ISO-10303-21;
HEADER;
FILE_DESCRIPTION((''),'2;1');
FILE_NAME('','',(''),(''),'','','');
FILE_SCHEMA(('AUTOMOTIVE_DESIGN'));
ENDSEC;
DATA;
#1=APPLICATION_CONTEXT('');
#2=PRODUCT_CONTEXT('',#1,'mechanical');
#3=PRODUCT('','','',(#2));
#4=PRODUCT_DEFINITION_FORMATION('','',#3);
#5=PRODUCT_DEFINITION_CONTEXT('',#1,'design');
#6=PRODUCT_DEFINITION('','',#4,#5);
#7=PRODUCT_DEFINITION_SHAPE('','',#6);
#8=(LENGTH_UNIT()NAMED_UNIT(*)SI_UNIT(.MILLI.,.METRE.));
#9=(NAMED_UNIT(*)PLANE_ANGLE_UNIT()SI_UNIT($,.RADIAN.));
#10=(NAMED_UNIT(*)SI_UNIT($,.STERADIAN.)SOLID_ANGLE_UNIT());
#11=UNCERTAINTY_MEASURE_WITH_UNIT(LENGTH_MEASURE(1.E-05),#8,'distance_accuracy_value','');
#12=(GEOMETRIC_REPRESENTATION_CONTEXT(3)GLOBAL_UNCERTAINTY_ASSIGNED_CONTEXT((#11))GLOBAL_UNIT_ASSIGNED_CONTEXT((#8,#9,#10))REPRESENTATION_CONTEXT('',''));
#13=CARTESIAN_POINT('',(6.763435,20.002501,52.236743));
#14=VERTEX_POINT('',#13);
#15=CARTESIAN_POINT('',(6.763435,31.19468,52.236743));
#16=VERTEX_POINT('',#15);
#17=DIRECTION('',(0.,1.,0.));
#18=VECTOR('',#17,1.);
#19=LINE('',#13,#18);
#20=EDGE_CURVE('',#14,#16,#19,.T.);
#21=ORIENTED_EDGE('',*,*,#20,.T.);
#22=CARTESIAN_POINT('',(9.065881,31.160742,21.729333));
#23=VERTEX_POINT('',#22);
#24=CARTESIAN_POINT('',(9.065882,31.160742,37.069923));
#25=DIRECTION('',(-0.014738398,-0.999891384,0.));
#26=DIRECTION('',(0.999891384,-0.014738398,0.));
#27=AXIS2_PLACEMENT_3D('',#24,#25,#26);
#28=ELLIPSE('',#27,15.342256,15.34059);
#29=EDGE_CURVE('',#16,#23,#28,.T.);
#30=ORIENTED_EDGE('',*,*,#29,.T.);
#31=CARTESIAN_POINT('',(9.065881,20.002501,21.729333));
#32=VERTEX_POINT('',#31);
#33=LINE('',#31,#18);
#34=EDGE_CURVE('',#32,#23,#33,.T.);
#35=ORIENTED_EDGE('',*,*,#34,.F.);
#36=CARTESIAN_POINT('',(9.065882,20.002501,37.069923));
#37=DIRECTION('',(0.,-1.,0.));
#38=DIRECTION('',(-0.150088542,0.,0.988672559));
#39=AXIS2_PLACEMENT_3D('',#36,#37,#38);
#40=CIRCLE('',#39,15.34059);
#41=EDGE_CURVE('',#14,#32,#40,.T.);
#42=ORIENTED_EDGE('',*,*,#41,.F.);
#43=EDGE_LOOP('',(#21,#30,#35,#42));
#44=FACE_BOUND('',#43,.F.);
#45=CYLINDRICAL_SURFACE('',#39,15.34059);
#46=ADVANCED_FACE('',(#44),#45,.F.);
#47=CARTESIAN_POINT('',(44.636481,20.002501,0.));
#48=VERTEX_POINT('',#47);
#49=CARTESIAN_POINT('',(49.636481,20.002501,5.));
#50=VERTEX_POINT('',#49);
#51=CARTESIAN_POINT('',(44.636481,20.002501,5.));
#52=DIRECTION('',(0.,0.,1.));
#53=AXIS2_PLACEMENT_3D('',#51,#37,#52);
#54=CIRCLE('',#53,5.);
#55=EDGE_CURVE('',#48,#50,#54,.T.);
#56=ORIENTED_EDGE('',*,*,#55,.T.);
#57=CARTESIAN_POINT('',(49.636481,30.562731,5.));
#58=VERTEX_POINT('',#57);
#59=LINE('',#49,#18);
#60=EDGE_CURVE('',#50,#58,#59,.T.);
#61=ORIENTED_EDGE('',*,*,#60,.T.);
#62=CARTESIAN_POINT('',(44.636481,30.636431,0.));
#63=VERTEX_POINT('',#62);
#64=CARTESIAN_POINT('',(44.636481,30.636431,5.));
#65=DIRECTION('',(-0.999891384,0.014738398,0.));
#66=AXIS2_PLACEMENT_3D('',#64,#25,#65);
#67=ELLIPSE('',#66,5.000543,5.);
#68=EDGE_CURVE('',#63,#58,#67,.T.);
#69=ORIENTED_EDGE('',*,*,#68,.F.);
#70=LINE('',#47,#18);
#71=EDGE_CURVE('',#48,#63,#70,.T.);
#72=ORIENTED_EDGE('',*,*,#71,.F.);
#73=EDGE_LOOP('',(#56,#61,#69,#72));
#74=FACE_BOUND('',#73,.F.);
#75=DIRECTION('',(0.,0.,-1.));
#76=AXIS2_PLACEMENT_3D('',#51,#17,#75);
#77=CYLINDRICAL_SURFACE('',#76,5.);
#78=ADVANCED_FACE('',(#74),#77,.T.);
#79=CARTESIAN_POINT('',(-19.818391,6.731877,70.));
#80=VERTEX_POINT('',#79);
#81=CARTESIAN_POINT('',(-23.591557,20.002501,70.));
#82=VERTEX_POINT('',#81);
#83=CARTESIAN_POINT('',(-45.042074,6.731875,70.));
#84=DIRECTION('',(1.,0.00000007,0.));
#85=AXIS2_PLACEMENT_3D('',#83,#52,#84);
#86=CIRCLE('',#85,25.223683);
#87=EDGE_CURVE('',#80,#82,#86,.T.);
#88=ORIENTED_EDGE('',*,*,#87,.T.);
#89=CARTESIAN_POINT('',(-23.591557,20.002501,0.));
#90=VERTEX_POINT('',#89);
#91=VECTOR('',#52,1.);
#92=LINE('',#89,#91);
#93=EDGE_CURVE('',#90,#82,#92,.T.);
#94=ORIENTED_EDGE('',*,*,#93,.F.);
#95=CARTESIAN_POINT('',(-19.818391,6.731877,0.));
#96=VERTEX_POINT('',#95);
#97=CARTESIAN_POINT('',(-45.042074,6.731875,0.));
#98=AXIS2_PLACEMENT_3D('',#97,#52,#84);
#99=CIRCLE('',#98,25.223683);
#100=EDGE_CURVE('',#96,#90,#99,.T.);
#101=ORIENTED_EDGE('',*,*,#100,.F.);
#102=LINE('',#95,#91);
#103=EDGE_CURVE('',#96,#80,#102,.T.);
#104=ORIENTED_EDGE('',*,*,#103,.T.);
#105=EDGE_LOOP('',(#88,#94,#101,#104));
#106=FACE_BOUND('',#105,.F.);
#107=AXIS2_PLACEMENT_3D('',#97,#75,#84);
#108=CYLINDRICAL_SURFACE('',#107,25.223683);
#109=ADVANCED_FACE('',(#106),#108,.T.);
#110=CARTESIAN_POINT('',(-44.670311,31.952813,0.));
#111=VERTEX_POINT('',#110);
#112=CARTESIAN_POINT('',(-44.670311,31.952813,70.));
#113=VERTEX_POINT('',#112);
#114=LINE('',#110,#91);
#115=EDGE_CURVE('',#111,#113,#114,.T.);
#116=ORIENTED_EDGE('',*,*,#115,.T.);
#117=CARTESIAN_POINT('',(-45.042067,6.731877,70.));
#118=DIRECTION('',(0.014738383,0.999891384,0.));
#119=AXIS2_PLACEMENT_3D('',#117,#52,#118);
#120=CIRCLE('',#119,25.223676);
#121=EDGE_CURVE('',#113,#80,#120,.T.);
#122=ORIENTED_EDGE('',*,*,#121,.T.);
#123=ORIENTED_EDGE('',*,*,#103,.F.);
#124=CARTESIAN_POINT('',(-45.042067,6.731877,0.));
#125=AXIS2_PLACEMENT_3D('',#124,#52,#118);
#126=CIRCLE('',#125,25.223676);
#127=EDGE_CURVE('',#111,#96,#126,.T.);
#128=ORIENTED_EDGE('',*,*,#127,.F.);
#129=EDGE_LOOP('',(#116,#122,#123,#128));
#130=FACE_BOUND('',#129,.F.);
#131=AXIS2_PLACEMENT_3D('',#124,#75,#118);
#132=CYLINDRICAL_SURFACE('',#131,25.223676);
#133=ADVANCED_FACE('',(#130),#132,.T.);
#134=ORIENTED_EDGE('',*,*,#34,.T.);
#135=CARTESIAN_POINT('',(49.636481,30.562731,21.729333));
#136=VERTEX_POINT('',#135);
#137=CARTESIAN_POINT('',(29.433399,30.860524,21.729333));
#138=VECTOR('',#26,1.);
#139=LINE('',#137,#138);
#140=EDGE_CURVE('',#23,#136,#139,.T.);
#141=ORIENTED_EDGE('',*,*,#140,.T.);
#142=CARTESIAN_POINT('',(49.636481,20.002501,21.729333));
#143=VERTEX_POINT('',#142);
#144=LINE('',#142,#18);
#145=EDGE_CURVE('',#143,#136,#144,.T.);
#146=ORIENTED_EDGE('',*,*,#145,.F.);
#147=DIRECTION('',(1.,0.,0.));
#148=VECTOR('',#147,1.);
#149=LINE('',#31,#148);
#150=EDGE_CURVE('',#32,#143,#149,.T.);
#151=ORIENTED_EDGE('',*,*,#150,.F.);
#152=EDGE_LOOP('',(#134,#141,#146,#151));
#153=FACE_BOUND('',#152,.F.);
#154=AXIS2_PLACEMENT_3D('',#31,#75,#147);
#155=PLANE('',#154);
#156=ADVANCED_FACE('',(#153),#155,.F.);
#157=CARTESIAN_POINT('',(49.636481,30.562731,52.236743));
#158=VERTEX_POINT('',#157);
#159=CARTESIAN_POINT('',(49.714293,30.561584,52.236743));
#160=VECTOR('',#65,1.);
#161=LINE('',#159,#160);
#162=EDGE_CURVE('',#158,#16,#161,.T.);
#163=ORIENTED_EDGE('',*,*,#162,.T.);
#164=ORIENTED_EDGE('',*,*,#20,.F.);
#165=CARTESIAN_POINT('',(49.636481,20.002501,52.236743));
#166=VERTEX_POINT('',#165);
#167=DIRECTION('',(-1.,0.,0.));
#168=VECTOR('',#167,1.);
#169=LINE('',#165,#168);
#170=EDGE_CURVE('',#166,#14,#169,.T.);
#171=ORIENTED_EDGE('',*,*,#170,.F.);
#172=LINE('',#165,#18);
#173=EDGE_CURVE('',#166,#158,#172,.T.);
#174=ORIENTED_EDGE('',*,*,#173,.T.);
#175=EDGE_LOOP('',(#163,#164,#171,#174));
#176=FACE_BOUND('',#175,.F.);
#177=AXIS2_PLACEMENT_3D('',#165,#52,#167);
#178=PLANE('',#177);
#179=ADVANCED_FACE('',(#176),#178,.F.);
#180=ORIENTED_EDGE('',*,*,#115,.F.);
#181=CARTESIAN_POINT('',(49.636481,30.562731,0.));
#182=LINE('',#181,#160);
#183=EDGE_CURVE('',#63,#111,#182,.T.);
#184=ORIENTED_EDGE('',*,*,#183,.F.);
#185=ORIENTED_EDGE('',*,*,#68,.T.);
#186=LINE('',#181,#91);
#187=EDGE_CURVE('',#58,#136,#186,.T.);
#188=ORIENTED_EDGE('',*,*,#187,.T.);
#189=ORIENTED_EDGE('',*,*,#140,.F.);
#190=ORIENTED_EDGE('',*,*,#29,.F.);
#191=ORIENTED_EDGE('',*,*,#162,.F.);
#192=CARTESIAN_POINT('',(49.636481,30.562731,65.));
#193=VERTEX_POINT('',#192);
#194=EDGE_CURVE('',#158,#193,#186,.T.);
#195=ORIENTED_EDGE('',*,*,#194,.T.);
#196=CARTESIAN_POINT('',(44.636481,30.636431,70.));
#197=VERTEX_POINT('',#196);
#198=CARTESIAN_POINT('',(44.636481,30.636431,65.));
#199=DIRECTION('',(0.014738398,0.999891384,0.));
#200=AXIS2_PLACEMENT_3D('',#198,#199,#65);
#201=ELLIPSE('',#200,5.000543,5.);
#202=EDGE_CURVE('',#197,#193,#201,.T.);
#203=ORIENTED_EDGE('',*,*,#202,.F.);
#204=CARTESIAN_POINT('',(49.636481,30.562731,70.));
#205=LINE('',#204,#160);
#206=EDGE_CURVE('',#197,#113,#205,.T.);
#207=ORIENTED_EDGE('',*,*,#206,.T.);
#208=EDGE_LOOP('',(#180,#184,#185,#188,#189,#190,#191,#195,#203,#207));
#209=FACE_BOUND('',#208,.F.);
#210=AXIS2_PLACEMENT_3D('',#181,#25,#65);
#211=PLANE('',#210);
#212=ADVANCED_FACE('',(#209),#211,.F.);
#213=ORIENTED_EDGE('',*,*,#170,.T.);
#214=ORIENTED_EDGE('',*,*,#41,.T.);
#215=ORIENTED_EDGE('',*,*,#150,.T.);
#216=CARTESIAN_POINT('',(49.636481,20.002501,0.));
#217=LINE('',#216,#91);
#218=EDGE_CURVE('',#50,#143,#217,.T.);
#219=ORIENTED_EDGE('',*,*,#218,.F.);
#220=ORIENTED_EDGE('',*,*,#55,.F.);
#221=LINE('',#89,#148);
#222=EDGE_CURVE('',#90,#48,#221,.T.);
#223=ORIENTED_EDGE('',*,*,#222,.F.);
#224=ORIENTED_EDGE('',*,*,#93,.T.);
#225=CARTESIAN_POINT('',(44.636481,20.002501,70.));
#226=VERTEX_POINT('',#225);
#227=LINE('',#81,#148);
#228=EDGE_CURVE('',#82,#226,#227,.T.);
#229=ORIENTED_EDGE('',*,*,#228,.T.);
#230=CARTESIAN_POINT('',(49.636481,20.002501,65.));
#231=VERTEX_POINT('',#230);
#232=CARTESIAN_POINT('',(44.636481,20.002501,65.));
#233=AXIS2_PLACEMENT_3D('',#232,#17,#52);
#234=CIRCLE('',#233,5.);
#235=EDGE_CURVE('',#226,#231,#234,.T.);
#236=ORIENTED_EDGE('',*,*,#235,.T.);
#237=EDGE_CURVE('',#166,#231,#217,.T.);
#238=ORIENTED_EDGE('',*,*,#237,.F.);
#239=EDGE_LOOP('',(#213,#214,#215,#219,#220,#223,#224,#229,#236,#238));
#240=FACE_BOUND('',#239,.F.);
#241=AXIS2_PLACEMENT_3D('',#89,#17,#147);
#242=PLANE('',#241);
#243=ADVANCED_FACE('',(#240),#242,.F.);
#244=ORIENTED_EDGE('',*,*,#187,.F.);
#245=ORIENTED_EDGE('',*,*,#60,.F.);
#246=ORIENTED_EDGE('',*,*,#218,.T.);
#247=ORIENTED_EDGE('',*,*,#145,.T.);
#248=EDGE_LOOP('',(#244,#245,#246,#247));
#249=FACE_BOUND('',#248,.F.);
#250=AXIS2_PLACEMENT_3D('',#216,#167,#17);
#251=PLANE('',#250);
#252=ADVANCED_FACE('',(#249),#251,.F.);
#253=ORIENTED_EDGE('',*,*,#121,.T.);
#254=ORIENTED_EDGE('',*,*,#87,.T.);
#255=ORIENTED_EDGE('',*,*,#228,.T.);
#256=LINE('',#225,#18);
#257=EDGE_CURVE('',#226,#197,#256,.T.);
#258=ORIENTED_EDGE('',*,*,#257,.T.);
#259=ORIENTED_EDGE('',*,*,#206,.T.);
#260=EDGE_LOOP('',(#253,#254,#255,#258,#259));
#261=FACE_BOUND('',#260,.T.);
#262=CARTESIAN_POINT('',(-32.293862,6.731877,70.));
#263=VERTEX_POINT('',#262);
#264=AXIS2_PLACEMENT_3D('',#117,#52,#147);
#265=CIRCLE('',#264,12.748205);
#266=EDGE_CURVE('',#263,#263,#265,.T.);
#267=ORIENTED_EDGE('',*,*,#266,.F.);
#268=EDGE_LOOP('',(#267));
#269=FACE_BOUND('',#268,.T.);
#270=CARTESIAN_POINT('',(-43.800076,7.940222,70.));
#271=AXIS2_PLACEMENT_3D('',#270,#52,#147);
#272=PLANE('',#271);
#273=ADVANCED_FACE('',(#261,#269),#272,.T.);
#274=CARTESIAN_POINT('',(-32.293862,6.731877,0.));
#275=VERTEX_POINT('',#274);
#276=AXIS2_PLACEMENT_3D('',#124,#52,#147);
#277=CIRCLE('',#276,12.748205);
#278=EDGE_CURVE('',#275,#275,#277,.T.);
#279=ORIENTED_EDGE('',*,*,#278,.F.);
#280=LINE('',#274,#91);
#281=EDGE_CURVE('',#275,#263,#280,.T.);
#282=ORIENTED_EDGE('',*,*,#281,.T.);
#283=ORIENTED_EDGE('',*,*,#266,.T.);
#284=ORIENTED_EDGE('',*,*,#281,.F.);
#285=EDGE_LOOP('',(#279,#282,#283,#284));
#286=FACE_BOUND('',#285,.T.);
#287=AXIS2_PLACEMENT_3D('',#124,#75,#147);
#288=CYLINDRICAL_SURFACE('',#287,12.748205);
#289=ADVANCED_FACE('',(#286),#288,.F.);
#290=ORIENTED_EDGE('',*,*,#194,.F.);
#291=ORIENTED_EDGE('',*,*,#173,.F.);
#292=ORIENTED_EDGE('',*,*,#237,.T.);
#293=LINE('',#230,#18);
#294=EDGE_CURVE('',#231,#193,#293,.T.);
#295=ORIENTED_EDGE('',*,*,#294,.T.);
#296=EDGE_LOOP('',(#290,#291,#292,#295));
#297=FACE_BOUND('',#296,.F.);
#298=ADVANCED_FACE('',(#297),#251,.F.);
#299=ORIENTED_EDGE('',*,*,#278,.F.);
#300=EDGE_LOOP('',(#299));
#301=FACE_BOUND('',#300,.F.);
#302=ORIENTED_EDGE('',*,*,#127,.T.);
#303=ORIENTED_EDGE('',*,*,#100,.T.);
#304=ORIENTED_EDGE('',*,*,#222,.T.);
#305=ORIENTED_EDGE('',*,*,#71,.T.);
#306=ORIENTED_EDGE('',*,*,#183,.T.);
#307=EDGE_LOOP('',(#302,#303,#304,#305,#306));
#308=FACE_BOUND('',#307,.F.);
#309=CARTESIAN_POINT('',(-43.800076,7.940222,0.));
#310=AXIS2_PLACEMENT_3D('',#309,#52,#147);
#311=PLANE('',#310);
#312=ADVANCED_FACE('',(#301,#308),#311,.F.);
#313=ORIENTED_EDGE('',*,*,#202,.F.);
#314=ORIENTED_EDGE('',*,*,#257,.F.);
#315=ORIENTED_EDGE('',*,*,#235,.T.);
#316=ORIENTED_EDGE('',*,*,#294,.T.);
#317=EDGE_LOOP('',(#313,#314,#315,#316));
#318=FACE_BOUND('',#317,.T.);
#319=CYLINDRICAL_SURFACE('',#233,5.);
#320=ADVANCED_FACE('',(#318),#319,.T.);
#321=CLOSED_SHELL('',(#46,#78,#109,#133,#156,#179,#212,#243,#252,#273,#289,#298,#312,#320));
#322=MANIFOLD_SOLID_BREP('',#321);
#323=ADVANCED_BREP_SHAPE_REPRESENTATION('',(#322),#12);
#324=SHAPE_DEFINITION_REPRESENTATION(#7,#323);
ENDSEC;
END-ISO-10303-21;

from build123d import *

# Parameters (mm, degrees)
F0_R     = 12.748205
F1_DEPTH = 70
F3_DEPTH = 25
F4_R     = 5


with BuildPart() as f1:
    # F0 (on Top) → F1 (new body)
    with BuildSketch(Plane.XY):
        with BuildLine():
            ThreePointArc((-44.670311, 31.952813), (-63.008855, -10.972032), (-19.818391, 6.731877))
            ThreePointArc((-19.818391, 6.731877), (-20.780013, 13.630178), (-23.591557, 20.002501))
            ThreePointArc((-23.591557, 20.002501), (-32.601998, 28.674496), (-44.670311, 31.952813))
        make_face()
        with Locations((-45.042067, 6.731877)):
            Circle(F0_R, mode=Mode.SUBTRACT)
        with BuildLine():
            ThreePointArc((-44.670311, 31.952813), (-32.601998, 28.674496), (-23.591557, 20.002501))
            Line((-23.591557, 20.002501), (49.636481, 20.002501))
            Line((49.636481, 20.002501), (49.636481, 30.562731))
            Line((49.636481, 30.562731), (-44.670311, 31.952813))
        make_face()
    extrude(amount=F1_DEPTH)

    # F2 (on face) → F3 (cut)
    with BuildSketch(Plane.XZ.offset(-20.002501)):
        with BuildLine():
            Line((49.636481, 21.729333), (49.636481, 52.236743))
            Line((49.636481, 52.236743), (6.763435, 52.236743))
            ThreePointArc((6.763435, 52.236743), (-6.231204, 35.915426), (9.065881, 21.729333))
            Line((9.065881, 21.729333), (49.636481, 21.729333))
        make_face()
    extrude(amount=-F3_DEPTH, mode=Mode.SUBTRACT)

    # F4
    f4_edges = [f1.edges().sort_by_distance(p)[0] for p in [
        (49.636481, 25.282616, 70),
        (49.636481, 25.282616, 0),
    ]]
    fillet(f4_edges, radius=F4_R)


solid = f1.part
